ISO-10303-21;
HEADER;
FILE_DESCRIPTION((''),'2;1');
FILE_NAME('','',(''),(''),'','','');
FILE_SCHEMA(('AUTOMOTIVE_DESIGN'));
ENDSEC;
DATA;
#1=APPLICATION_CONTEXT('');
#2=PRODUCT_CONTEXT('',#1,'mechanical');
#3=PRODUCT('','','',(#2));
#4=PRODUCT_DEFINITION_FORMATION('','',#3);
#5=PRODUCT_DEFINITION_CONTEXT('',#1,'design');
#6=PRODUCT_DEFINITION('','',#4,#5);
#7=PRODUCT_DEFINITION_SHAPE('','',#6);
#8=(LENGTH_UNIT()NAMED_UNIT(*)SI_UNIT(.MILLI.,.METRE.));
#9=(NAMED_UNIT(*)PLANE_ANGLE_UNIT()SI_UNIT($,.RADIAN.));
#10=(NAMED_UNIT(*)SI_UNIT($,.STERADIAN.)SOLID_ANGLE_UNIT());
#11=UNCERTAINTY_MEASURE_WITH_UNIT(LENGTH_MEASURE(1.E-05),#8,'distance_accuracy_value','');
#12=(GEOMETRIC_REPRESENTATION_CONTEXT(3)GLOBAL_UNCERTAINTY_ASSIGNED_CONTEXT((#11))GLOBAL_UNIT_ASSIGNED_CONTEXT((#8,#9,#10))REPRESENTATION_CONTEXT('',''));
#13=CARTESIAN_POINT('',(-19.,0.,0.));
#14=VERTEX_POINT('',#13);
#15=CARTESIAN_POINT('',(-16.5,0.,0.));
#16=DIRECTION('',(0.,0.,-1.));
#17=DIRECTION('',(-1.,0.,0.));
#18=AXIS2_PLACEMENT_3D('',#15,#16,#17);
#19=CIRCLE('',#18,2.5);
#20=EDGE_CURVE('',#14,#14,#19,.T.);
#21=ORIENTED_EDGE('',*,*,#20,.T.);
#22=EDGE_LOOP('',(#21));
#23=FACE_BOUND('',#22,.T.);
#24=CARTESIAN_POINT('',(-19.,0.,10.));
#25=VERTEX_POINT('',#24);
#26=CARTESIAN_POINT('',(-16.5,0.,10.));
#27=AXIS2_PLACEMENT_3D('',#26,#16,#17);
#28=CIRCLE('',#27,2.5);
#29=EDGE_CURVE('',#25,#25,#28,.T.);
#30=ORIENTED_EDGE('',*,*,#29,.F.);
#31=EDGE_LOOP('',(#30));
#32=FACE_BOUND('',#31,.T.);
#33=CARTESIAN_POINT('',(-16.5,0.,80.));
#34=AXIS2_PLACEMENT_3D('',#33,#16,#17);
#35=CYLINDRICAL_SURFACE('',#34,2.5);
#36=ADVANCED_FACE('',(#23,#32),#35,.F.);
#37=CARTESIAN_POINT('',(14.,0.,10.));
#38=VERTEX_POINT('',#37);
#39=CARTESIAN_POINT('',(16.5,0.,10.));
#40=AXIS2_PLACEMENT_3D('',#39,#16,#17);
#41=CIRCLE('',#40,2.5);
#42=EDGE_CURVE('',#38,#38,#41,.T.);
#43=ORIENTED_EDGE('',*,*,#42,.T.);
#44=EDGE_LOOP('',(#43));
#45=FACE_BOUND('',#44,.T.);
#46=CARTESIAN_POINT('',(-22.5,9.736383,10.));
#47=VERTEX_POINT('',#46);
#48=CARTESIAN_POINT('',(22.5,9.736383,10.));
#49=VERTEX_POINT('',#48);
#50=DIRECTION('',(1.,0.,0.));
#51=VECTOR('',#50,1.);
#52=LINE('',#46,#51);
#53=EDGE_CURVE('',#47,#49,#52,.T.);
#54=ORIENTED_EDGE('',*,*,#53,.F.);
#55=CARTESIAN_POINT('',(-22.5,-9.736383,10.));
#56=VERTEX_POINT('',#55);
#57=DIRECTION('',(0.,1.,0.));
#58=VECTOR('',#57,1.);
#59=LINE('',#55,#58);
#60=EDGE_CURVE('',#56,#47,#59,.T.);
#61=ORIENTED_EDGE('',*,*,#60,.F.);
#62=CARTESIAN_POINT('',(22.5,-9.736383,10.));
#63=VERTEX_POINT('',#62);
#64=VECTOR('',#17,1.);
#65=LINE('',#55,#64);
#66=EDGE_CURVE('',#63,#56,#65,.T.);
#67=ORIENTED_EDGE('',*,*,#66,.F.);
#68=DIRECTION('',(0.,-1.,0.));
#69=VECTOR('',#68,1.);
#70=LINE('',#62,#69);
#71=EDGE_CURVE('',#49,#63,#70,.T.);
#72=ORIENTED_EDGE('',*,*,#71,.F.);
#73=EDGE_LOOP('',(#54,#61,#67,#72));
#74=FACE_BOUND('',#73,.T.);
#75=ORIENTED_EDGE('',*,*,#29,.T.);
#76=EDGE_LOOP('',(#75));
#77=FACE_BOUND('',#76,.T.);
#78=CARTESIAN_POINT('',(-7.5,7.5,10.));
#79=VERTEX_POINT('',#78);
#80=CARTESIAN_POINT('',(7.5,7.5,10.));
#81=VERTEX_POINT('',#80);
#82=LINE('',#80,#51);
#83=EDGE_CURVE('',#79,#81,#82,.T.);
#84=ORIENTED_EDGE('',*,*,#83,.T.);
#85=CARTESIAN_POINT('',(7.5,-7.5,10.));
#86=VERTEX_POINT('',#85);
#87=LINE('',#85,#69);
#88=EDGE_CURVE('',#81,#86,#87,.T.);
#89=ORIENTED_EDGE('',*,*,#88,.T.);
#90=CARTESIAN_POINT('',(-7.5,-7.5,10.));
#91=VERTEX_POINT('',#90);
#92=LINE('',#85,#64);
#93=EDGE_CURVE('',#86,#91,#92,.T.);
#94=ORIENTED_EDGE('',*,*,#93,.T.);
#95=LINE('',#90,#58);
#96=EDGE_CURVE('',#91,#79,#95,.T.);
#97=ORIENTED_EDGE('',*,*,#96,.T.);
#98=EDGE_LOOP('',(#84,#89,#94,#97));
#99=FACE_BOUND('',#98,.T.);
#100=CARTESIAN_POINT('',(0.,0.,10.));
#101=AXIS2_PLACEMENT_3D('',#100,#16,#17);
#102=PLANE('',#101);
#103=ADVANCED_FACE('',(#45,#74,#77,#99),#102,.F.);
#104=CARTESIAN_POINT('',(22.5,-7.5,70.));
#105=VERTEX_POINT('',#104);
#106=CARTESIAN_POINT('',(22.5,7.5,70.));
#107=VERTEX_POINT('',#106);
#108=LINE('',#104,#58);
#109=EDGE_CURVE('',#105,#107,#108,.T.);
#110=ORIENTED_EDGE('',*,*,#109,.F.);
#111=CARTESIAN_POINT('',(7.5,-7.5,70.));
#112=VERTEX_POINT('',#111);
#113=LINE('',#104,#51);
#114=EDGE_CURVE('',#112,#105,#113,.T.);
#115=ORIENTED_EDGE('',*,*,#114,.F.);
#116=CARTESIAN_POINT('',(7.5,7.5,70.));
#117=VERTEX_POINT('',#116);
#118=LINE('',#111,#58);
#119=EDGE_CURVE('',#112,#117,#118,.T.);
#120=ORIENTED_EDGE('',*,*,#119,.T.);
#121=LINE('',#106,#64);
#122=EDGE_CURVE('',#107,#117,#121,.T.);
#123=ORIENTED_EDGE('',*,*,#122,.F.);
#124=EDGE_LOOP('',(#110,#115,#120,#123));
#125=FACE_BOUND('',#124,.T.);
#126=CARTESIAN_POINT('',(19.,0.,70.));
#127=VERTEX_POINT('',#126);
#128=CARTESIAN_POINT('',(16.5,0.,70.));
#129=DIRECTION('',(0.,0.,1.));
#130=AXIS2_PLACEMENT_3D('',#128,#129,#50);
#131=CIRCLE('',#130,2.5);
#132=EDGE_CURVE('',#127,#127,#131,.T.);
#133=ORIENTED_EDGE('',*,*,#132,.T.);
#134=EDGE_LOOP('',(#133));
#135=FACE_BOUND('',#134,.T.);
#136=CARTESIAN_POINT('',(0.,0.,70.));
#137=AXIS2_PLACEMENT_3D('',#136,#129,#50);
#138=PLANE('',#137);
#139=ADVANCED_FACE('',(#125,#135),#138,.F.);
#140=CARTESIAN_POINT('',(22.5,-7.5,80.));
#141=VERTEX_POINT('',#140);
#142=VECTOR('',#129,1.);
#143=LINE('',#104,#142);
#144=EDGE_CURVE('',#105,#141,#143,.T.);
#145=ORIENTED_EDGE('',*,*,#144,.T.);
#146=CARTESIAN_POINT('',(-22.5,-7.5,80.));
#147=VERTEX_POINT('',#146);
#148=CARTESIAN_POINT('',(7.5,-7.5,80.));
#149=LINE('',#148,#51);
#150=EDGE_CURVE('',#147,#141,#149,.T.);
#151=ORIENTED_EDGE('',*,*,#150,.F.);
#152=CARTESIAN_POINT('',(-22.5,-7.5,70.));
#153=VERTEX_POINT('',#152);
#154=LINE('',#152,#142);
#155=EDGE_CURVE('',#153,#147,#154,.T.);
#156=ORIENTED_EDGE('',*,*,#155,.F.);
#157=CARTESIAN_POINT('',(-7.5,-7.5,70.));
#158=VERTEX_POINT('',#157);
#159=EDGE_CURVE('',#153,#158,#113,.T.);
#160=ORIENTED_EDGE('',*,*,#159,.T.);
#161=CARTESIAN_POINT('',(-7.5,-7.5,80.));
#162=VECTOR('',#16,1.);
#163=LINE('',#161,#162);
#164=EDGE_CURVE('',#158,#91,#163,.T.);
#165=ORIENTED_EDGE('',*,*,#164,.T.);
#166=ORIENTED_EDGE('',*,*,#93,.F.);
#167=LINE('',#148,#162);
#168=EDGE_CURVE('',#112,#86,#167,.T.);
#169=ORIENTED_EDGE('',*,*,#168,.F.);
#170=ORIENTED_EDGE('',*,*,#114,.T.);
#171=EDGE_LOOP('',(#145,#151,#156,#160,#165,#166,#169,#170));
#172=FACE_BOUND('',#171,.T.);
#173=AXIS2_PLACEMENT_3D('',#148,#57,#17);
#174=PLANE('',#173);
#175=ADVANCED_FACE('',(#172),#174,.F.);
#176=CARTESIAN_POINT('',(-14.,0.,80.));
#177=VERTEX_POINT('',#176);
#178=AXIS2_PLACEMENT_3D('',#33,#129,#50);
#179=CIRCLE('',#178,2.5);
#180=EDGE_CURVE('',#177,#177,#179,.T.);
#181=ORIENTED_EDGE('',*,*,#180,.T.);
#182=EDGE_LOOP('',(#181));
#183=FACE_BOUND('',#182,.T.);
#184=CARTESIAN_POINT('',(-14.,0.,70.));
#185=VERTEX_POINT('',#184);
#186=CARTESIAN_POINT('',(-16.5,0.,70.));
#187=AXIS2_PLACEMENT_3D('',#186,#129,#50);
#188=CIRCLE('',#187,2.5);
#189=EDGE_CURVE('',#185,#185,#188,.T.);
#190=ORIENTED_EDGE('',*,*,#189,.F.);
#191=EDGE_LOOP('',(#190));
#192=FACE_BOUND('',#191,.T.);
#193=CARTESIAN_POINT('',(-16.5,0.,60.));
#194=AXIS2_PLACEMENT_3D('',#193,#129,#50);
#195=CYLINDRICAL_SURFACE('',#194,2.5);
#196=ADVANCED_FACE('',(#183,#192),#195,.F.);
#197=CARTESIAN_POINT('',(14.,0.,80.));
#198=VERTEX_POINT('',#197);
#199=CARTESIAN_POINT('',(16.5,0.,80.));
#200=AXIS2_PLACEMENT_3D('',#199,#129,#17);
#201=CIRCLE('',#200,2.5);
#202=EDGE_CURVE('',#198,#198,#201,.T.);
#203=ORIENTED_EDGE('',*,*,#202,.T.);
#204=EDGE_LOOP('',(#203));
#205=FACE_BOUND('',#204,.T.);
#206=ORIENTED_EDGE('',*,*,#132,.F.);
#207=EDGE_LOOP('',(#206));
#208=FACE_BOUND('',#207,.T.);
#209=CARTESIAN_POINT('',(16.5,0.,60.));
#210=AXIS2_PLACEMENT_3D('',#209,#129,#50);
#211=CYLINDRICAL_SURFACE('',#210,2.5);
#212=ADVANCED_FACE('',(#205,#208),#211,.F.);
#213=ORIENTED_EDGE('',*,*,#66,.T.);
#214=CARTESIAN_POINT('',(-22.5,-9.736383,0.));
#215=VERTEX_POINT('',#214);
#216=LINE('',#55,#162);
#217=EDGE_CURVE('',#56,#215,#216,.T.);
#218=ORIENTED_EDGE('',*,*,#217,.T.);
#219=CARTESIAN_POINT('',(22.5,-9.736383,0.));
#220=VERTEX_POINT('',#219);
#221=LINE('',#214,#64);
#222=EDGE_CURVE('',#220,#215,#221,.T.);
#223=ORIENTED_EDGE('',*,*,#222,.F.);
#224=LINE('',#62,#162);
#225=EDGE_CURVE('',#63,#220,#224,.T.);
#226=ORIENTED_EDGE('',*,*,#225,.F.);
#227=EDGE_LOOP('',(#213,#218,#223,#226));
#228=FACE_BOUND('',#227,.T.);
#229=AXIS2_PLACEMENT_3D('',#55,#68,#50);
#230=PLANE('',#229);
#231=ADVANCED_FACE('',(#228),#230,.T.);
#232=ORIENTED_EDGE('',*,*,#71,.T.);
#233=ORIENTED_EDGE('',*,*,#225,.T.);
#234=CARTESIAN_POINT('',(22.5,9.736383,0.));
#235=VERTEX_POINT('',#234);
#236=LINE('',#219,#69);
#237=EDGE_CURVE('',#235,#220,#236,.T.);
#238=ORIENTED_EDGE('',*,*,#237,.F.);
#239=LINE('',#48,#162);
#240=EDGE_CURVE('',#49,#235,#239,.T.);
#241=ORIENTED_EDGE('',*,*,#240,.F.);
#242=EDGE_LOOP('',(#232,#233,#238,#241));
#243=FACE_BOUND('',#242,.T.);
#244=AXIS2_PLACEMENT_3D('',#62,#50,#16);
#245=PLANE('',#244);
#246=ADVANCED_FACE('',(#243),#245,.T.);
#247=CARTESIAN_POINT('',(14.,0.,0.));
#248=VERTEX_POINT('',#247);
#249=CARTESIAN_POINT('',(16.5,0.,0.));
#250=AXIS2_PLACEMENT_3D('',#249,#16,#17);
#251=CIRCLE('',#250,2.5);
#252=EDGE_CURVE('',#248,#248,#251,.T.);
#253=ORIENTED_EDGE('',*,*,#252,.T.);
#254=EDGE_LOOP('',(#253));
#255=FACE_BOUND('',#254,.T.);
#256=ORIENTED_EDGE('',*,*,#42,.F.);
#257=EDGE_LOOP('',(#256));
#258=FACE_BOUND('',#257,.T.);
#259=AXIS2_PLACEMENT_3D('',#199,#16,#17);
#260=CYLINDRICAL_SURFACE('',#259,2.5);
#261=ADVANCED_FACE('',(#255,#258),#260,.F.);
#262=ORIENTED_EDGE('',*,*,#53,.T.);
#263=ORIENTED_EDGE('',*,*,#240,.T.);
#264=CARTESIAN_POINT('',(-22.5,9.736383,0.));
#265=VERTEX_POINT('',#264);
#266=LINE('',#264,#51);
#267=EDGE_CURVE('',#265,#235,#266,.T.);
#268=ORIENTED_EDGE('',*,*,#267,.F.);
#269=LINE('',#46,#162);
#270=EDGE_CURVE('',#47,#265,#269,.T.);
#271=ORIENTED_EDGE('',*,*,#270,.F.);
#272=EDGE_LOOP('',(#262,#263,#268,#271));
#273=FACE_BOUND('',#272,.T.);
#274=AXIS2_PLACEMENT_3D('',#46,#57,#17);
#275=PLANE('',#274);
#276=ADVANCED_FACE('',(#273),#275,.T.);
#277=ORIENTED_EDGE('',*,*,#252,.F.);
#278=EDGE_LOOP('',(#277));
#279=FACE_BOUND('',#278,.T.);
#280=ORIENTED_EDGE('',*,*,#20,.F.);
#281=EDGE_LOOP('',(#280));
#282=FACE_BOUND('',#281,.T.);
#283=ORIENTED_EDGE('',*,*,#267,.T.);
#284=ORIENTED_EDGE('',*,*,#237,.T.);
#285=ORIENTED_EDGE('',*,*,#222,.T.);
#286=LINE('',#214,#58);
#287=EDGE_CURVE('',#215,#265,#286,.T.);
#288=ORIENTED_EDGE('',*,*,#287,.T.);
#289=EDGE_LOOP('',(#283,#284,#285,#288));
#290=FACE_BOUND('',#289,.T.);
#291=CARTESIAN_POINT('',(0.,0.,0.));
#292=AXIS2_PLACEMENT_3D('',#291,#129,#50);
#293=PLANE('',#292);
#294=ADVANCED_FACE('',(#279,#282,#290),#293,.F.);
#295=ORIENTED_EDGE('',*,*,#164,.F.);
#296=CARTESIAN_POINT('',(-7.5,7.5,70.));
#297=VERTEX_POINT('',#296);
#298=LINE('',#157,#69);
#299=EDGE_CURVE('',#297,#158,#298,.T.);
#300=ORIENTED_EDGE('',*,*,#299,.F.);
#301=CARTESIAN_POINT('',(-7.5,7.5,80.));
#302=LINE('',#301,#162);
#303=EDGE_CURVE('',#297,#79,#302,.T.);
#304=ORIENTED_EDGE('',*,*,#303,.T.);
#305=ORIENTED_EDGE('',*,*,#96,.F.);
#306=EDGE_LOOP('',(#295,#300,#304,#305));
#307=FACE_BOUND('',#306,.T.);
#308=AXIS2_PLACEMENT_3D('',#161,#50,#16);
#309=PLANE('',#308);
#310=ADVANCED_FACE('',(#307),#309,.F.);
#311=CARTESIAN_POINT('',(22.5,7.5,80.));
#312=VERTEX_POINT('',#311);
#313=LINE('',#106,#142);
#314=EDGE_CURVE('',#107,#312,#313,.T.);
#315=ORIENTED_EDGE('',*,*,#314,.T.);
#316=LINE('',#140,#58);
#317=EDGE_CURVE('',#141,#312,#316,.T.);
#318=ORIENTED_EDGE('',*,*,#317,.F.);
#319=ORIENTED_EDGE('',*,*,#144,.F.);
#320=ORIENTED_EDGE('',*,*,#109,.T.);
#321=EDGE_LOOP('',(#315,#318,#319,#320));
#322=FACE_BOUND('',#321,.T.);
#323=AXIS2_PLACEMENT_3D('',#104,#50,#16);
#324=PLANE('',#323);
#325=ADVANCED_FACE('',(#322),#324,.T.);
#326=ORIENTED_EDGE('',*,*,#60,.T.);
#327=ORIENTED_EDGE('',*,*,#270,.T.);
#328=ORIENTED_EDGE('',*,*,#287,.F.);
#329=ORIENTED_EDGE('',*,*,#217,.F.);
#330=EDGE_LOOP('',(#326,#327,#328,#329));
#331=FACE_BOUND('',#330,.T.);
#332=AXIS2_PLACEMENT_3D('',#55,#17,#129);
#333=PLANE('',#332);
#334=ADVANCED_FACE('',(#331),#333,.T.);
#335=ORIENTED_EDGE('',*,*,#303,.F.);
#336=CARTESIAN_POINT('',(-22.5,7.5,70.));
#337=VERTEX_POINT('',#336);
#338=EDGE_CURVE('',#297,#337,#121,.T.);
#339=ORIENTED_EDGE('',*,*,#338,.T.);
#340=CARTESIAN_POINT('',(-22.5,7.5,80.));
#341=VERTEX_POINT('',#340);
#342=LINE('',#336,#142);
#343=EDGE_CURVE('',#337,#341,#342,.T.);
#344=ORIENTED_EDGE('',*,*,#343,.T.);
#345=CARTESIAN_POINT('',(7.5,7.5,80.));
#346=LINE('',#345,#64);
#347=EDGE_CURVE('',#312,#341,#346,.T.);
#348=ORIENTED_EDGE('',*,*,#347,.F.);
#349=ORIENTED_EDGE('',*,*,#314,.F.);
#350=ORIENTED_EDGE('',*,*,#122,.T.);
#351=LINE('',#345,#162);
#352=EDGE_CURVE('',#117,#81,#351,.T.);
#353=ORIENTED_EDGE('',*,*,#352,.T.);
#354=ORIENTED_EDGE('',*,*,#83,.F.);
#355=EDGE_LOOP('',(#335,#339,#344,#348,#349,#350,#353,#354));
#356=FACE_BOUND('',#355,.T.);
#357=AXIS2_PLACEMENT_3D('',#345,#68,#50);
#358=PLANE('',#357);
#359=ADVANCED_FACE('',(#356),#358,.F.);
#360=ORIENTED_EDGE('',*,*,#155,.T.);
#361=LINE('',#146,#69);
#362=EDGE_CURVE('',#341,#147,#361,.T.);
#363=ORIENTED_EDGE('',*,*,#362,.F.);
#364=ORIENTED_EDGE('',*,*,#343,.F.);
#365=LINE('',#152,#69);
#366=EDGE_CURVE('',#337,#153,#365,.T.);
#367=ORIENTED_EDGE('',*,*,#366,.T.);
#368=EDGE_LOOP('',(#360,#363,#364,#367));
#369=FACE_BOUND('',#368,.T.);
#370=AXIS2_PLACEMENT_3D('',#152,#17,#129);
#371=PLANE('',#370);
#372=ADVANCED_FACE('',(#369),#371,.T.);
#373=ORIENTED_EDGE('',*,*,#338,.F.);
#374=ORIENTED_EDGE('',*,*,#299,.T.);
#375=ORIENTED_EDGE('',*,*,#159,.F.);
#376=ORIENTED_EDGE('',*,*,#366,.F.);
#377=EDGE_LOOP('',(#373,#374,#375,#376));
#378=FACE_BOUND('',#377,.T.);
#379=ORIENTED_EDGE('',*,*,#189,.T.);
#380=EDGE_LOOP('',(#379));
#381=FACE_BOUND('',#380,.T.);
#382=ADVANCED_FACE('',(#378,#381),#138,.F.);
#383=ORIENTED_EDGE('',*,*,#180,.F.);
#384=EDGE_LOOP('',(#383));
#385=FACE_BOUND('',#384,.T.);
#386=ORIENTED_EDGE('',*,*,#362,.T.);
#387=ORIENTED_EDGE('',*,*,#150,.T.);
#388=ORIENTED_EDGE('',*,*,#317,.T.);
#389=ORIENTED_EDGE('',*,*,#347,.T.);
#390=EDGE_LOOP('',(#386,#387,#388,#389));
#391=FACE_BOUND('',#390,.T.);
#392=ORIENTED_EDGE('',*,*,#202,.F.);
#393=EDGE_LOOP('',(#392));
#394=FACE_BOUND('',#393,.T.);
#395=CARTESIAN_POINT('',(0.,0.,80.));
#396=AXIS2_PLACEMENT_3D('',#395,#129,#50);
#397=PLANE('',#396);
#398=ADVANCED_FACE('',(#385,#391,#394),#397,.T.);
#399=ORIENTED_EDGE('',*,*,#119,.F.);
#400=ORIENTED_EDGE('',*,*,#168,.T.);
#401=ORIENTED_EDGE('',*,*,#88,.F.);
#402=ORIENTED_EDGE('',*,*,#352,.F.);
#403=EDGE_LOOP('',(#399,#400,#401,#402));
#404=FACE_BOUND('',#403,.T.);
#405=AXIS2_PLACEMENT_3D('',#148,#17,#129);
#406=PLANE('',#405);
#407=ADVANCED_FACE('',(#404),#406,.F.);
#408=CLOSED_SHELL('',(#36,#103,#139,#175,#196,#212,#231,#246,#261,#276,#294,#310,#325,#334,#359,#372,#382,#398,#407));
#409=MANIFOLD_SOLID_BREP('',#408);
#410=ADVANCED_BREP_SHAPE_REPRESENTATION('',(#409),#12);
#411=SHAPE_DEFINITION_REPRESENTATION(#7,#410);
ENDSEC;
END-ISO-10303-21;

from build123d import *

# Parameters (mm, degrees)
SKETCH_1_W          = 15
SKETCH_1_H          = 15
EXTRUDE_1_DEPTH     = 80
SKETCH_2_W          = 45
SKETCH_2_H          = 15
EXTRUDE_2_DEPTH     = 10
SKETCH_3_R          = 2.5
CUT_EXTRUDE_1_DEPTH = 20
SKETCH_5_W          = 45
SKETCH_5_H          = 19.472765692
EXTRUDE_3_DEPTH     = 10
SKETCH_6_R          = 2.5
CUT_EXTRUDE_2_DEPTH = 84.672260343


with BuildPart() as part:
    # 草图1 → 凸台-拉伸1 (new body)
    with BuildSketch(Plane.XY):
        Rectangle(SKETCH_1_W, SKETCH_1_H)
    extrude(amount=EXTRUDE_1_DEPTH)

    # 草图2 → 凸台-拉伸2 (add)
    with BuildSketch(Plane.XY.offset(80)):
        Rectangle(SKETCH_2_W, SKETCH_2_H)
    extrude(amount=-EXTRUDE_2_DEPTH)

    # 草图3 → 切除-拉伸1 (cut)
    with BuildSketch(Plane.XY.offset(80)):
        with Locations((-16.5, 0)):
            Circle(SKETCH_3_R)
        with Locations((16.5, 0)):
            Circle(SKETCH_3_R)
    extrude(amount=-CUT_EXTRUDE_1_DEPTH, mode=Mode.SUBTRACT)

    # 草图5 → 凸台-拉伸3 (add)
    with BuildSketch(Plane(origin=(0, 0, 0), x_dir=(-1, 0, 0), z_dir=(0, 0, -1))):
        Rectangle(SKETCH_5_W, SKETCH_5_H)
    extrude(amount=-EXTRUDE_3_DEPTH)

    # 草图6 → 切除-拉伸2 (cut, through all)
    with BuildSketch(Plane(origin=(0, 0, 0), x_dir=(-1, 0, 0), z_dir=(0, 0, -1))):
        with Locations(Location((-16.5, 0, 0), (0, 0, 180))):
            Circle(SKETCH_6_R)
        with Locations(Location((16.5, 0, 0), (0, 0, 180))):
            Circle(SKETCH_6_R)
    extrude(amount=-CUT_EXTRUDE_2_DEPTH, mode=Mode.SUBTRACT)


solid = part.part
